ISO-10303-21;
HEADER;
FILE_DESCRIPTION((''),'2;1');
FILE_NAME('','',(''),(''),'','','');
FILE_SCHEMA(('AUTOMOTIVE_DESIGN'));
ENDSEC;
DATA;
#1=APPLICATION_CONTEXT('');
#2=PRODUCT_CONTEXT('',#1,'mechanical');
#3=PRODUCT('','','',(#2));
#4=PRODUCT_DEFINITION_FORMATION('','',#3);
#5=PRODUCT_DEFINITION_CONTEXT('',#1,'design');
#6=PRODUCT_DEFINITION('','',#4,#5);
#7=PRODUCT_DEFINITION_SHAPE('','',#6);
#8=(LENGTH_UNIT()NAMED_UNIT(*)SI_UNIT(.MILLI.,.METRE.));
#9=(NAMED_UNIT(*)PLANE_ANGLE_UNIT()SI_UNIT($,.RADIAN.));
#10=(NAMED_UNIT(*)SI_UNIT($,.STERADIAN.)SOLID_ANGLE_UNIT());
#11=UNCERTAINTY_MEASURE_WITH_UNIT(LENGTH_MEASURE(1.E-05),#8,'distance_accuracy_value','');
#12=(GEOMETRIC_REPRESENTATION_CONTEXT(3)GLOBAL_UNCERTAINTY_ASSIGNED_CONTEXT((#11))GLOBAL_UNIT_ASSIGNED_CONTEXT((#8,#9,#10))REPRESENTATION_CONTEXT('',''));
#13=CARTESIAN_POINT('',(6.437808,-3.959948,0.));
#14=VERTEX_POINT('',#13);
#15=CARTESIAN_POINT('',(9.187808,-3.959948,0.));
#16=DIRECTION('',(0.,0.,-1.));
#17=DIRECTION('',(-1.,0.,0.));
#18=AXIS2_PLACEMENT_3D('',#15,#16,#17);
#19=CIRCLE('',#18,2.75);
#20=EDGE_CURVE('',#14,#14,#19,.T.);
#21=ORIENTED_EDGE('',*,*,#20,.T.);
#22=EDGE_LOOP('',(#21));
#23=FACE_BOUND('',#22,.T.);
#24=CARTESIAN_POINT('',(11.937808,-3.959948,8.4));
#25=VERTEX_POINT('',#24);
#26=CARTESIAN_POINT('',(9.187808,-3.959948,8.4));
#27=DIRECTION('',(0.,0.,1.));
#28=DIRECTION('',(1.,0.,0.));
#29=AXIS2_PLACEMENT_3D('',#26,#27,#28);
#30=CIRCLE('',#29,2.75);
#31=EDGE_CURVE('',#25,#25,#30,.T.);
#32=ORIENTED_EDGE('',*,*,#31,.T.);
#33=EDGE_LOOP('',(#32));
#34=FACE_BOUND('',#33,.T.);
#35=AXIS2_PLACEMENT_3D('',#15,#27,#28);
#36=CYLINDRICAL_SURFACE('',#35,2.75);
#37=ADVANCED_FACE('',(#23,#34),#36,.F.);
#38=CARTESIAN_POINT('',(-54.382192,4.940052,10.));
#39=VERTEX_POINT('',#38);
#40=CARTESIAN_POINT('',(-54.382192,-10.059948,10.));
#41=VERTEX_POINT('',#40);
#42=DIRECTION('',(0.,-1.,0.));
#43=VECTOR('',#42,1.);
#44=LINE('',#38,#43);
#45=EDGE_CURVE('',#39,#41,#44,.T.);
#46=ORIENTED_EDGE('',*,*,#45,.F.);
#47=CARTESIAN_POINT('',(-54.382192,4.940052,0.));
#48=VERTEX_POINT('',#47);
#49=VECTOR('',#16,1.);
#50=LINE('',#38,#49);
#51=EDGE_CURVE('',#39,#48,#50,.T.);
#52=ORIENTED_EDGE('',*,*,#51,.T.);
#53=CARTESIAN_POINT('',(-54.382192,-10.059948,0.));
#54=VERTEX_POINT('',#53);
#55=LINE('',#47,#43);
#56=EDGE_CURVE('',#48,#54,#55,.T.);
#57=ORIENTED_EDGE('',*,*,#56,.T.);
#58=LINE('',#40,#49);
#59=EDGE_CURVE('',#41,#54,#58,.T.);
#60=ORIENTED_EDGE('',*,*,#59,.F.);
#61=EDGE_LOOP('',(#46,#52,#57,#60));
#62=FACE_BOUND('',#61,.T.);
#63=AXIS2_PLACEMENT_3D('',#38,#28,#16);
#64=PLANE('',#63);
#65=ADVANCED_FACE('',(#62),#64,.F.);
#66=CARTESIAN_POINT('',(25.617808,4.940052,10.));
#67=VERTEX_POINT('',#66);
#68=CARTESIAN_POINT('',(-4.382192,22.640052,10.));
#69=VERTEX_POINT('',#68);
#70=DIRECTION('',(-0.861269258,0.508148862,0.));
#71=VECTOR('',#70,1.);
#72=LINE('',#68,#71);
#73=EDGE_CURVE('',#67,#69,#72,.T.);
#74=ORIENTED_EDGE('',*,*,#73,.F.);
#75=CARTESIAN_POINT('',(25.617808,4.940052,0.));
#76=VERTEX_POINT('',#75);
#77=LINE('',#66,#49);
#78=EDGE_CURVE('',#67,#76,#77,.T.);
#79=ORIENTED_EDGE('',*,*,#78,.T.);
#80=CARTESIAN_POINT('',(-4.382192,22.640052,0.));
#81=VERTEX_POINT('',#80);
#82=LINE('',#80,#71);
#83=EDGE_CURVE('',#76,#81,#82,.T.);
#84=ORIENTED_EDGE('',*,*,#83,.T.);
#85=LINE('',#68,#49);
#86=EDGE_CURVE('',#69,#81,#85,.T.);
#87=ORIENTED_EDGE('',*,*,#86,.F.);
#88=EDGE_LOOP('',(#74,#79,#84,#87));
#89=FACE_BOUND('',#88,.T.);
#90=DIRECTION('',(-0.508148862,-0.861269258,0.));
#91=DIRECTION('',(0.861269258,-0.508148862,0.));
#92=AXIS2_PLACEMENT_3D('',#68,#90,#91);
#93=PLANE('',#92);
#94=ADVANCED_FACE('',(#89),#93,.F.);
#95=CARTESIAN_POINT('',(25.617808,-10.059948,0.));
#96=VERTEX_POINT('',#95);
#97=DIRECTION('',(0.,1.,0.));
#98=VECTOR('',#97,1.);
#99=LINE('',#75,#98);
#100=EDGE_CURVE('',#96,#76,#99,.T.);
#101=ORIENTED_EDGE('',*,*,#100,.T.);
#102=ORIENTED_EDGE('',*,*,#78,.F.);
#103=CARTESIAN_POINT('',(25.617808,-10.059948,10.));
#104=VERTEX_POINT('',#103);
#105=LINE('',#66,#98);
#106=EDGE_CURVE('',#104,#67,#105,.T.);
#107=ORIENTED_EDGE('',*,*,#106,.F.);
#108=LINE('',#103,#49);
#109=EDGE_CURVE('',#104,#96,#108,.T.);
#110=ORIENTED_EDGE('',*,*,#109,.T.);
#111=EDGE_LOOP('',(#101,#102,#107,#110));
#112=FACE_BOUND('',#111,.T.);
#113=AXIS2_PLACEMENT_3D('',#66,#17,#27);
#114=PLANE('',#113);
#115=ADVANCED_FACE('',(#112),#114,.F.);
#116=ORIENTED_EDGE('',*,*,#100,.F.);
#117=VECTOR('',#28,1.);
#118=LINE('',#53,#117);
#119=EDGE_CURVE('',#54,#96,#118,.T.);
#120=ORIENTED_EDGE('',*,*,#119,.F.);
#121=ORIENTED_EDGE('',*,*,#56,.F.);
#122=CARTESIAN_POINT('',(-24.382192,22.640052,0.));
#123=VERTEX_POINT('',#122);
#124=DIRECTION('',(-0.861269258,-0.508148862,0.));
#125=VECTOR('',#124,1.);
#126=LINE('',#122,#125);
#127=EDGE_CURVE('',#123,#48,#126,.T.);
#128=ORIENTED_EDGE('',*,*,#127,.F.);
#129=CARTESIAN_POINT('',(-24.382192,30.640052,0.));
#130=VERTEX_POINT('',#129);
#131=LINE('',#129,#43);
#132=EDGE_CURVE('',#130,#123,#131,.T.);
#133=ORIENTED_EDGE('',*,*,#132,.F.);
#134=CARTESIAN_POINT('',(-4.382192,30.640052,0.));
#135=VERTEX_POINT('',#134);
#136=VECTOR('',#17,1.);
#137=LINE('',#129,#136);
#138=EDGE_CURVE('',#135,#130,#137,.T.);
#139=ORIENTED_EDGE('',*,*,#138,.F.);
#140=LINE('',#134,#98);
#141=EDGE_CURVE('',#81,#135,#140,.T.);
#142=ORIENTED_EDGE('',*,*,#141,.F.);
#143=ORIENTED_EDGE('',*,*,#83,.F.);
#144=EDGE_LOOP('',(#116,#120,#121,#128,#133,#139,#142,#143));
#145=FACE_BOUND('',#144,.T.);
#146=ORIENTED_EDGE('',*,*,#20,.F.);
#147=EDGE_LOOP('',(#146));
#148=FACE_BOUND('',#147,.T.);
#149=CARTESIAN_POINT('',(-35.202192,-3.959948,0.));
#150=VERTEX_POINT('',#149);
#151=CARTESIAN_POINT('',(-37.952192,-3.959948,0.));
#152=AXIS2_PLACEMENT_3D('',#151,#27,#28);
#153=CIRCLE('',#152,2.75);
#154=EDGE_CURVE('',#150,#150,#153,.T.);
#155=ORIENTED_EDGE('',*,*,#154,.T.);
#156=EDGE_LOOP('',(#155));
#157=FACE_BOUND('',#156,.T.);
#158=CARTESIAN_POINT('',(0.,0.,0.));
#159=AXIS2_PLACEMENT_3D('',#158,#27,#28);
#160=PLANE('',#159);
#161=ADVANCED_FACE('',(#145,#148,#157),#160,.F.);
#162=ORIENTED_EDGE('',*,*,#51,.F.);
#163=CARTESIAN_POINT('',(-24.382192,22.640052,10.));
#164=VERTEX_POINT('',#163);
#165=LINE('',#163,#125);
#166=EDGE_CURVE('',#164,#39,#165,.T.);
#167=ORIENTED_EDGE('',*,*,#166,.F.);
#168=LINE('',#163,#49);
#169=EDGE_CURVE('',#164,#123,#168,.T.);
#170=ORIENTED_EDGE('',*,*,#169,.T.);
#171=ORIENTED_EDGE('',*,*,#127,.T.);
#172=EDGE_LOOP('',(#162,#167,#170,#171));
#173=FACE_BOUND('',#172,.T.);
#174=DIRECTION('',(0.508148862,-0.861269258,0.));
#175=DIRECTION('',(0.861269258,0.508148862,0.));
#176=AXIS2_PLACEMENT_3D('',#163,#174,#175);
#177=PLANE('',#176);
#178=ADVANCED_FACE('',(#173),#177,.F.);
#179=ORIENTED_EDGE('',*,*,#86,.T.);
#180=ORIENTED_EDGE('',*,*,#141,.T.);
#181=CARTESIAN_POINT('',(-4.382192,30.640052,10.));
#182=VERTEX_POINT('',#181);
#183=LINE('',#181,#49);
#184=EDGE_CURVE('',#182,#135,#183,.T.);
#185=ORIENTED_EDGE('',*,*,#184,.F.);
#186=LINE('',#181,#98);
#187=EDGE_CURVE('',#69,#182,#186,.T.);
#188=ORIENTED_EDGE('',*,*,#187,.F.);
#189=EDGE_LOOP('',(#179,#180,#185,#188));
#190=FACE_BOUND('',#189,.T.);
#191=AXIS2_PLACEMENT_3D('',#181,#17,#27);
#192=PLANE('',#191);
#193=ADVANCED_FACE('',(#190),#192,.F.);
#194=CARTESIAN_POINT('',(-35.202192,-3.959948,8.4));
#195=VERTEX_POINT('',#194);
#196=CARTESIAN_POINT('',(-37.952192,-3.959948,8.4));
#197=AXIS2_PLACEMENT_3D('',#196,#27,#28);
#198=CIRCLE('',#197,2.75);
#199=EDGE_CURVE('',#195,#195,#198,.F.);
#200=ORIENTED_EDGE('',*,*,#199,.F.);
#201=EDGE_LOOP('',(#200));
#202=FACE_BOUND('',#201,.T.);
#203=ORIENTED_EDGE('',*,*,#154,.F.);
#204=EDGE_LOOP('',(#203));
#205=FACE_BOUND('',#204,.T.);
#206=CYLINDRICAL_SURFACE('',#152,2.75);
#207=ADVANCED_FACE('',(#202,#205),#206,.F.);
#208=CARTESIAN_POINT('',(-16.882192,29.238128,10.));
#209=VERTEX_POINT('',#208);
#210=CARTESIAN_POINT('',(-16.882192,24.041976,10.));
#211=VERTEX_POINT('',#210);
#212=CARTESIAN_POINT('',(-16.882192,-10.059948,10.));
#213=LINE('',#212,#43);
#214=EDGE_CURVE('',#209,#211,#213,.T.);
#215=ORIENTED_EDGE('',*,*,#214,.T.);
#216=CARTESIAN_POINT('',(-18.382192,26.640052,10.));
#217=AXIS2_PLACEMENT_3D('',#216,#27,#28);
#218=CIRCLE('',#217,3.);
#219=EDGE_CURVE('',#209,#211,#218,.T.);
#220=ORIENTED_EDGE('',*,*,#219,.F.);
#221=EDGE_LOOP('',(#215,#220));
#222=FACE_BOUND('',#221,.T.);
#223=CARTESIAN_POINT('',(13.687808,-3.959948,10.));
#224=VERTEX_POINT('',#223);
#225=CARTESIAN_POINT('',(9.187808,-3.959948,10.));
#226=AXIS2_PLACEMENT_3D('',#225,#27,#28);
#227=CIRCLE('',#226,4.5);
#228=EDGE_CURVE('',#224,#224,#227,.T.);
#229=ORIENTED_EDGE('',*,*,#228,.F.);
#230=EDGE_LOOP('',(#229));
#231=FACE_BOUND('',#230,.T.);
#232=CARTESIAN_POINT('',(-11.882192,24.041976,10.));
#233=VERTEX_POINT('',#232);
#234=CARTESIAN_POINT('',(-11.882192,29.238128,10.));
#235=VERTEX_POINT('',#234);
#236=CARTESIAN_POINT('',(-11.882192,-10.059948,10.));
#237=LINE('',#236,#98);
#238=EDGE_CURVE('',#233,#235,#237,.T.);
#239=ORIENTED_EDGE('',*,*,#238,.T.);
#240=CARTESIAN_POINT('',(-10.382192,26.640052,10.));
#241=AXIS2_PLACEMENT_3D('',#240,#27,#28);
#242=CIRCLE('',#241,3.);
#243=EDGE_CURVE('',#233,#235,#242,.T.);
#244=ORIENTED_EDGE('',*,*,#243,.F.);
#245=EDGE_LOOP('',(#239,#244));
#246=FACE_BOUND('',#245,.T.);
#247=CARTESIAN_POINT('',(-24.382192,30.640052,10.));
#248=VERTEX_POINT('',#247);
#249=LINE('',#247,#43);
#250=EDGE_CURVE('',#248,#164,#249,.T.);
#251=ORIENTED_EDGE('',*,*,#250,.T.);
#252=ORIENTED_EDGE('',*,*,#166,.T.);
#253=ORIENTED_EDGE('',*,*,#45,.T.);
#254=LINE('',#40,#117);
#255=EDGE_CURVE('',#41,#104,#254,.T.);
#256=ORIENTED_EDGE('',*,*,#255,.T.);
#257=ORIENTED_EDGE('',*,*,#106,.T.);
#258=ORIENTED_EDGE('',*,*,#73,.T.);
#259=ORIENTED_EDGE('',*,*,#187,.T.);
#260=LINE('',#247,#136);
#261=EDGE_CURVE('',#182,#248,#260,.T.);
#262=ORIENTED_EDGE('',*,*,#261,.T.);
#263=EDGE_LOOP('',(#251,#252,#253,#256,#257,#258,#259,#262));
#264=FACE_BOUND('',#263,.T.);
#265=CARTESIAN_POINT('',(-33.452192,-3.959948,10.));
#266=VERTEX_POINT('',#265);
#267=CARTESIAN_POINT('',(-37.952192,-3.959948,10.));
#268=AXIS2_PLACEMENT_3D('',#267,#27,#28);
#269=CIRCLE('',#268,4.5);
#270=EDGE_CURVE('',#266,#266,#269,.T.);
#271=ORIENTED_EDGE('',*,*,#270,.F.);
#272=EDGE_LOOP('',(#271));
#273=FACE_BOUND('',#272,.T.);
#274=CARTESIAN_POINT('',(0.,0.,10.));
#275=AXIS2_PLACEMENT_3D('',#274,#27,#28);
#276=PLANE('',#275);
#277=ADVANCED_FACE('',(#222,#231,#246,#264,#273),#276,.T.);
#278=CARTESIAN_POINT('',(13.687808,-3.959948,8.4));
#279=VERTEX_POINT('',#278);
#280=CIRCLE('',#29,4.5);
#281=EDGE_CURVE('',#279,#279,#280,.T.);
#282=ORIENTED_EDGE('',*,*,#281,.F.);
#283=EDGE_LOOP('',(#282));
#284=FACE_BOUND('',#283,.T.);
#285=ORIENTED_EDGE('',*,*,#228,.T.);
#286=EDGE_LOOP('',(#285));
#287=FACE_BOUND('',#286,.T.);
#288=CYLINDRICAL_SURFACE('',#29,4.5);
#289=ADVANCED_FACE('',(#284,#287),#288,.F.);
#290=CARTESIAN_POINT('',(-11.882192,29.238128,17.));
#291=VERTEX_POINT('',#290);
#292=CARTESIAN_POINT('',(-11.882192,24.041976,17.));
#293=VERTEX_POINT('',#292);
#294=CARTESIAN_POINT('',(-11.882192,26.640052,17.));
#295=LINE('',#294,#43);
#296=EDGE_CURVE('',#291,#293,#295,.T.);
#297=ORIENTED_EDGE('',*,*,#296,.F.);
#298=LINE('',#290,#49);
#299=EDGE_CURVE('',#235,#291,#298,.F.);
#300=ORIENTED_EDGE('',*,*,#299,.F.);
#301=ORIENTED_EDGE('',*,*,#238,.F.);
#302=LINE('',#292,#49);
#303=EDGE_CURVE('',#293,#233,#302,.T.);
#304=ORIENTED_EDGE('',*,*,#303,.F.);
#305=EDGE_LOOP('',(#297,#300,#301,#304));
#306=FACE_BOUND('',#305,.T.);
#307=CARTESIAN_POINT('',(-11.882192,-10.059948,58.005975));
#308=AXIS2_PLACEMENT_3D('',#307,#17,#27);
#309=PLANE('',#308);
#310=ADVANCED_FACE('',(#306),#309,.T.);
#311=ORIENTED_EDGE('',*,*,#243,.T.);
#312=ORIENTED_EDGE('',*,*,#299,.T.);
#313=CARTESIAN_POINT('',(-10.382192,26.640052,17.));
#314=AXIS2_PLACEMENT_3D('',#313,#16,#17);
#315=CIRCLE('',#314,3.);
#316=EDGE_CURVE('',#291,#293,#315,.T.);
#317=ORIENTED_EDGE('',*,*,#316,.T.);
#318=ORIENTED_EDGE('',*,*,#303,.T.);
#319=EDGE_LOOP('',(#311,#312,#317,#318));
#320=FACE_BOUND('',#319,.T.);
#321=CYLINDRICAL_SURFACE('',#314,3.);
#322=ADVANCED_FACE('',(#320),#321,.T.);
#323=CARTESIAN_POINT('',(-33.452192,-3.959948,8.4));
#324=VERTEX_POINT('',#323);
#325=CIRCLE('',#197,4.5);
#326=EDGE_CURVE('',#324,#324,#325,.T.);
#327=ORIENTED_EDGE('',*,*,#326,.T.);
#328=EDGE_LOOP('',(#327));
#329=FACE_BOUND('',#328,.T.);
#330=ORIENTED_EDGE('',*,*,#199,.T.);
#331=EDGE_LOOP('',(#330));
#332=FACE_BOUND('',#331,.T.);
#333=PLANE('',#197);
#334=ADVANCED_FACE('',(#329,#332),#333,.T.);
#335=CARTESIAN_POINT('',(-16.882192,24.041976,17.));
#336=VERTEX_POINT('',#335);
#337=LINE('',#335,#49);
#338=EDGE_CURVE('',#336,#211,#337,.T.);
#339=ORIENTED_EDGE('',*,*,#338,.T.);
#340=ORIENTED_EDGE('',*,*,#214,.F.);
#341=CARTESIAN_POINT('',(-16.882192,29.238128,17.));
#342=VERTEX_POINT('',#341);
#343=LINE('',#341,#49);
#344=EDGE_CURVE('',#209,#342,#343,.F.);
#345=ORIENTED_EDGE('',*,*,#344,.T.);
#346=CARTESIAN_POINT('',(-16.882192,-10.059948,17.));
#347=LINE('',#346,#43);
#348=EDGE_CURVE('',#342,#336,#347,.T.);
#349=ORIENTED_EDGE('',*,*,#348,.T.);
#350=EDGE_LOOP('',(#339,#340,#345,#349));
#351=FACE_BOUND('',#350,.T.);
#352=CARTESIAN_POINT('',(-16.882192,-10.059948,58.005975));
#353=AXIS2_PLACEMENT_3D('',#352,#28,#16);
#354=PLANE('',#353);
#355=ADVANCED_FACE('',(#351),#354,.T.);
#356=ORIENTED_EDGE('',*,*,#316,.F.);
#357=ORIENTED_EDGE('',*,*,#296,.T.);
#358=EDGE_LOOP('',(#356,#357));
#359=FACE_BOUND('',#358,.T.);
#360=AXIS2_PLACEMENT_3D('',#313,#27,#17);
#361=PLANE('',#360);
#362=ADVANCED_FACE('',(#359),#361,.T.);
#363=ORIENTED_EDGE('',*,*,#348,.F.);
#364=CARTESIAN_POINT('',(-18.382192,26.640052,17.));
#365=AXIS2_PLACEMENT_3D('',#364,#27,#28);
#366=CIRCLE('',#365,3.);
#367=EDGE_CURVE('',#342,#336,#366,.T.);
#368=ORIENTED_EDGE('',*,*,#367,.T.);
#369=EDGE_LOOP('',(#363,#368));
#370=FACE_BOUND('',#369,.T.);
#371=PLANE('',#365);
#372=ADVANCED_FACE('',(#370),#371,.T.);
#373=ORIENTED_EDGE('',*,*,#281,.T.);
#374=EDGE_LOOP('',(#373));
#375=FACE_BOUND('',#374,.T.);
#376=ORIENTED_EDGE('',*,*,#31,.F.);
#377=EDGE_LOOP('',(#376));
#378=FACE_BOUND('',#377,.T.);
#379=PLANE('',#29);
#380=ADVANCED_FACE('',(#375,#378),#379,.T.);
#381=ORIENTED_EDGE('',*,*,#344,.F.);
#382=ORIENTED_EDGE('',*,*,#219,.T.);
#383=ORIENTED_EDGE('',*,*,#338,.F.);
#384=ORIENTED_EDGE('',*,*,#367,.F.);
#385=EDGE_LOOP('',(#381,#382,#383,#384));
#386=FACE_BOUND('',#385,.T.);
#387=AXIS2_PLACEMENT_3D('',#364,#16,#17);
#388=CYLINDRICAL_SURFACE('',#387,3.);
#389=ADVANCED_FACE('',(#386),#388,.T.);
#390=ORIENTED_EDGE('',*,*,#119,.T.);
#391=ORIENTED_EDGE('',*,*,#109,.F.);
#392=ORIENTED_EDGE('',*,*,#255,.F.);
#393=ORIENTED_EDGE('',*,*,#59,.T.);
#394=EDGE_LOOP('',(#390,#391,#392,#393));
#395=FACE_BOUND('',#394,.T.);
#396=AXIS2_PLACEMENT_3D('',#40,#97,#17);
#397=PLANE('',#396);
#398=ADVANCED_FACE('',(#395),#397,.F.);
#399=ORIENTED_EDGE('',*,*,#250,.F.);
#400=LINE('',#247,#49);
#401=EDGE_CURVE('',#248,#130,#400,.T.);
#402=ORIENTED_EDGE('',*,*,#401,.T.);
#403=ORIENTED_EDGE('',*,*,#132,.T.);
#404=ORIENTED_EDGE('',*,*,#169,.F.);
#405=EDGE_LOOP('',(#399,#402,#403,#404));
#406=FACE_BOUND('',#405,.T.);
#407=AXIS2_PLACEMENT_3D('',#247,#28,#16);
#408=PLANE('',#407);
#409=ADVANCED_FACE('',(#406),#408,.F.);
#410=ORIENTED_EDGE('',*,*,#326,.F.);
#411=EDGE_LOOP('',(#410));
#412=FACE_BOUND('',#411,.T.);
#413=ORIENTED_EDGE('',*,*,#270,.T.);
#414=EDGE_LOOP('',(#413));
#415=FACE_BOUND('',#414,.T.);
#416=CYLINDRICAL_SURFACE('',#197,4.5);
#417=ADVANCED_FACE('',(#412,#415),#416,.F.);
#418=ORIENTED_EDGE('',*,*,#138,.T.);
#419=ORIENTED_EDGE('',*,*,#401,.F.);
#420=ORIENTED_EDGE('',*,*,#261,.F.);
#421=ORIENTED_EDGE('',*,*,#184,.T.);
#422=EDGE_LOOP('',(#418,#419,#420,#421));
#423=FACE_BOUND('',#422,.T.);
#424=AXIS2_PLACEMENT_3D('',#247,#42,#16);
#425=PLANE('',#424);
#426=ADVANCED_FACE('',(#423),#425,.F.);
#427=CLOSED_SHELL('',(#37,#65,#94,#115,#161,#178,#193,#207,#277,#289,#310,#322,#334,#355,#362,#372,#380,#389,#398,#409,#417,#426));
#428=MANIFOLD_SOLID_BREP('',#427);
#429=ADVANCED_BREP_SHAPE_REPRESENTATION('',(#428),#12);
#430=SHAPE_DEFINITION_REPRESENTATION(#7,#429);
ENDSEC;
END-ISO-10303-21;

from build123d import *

# Parameters (mm, degrees)
BOSS_EXTRUDE1_DEPTH = 10
SKETCH3_R           = 3
BOSS_EXTRUDE2_DEPTH = 7
SKETCH4_R           = 2.75
CUT_EXTRUDE1_DEPTH  = 64.215786076
SKETCH5_W           = 5
SKETCH5_H           = 40.7
CUT_EXTRUDE2_DEPTH  = 7
SKETCH6_R           = 4.5
CUT_EXTRUDE3_DEPTH  = 1.6


with BuildPart() as part:
    # Sketch2 → Boss-Extrude1 (new body)
    with BuildSketch(Plane.XY):
        Polygon((-24.382192178, 22.640051942), (-54.382192178, 4.940051942), (-54.382192178, -10.059948058), (25.617807822, -10.059948058), (25.617807822, 4.940051942), (-4.382192178, 22.640051942), (-4.382192178, 30.640051942), (-24.382192178, 30.640051942), align=None)
    extrude(amount=BOSS_EXTRUDE1_DEPTH)

    # Sketch3 → Boss-Extrude2 (add)
    with BuildSketch(Plane.XY.offset(10)):
        with Locations((-18.382192178, 26.640051942)):
            Circle(SKETCH3_R)
    boss_extrude2 = extrude(amount=BOSS_EXTRUDE2_DEPTH)

    # Mirror1: Boss-Extrude2 across plane
    add(boss_extrude2.mirror(Plane.ZY.offset(14.382192178)))

    # Sketch4 → Cut-Extrude1 (cut, through all)
    with BuildSketch(Plane.XY.offset(10)):
        with Locations((-37.952192178, -3.959948058)):
            Circle(SKETCH4_R)
    cut_extrude1 = extrude(amount=-CUT_EXTRUDE1_DEPTH, mode=Mode.SUBTRACT)

    # Mirror2: Cut-Extrude1 across plane
    add(cut_extrude1.mirror(Plane.ZY.offset(14.382192178)), mode=Mode.SUBTRACT)

    # Sketch5 → Cut-Extrude2 (cut)
    with BuildSketch(Plane.XY.offset(10)):
        with Locations((-14.382192178, 10.290051942)):
            Rectangle(SKETCH5_W, SKETCH5_H)
    extrude(amount=CUT_EXTRUDE2_DEPTH, mode=Mode.SUBTRACT)

    # Sketch6 → Cut-Extrude3 (cut)
    with BuildSketch(Plane.XY.offset(10)):
        with Locations((-37.952192178, -3.959948058)):
            Circle(SKETCH6_R)
        with Locations((9.187807822, -3.959948058)):
            Circle(SKETCH6_R)
    extrude(amount=-CUT_EXTRUDE3_DEPTH, mode=Mode.SUBTRACT)


solid = part.part
